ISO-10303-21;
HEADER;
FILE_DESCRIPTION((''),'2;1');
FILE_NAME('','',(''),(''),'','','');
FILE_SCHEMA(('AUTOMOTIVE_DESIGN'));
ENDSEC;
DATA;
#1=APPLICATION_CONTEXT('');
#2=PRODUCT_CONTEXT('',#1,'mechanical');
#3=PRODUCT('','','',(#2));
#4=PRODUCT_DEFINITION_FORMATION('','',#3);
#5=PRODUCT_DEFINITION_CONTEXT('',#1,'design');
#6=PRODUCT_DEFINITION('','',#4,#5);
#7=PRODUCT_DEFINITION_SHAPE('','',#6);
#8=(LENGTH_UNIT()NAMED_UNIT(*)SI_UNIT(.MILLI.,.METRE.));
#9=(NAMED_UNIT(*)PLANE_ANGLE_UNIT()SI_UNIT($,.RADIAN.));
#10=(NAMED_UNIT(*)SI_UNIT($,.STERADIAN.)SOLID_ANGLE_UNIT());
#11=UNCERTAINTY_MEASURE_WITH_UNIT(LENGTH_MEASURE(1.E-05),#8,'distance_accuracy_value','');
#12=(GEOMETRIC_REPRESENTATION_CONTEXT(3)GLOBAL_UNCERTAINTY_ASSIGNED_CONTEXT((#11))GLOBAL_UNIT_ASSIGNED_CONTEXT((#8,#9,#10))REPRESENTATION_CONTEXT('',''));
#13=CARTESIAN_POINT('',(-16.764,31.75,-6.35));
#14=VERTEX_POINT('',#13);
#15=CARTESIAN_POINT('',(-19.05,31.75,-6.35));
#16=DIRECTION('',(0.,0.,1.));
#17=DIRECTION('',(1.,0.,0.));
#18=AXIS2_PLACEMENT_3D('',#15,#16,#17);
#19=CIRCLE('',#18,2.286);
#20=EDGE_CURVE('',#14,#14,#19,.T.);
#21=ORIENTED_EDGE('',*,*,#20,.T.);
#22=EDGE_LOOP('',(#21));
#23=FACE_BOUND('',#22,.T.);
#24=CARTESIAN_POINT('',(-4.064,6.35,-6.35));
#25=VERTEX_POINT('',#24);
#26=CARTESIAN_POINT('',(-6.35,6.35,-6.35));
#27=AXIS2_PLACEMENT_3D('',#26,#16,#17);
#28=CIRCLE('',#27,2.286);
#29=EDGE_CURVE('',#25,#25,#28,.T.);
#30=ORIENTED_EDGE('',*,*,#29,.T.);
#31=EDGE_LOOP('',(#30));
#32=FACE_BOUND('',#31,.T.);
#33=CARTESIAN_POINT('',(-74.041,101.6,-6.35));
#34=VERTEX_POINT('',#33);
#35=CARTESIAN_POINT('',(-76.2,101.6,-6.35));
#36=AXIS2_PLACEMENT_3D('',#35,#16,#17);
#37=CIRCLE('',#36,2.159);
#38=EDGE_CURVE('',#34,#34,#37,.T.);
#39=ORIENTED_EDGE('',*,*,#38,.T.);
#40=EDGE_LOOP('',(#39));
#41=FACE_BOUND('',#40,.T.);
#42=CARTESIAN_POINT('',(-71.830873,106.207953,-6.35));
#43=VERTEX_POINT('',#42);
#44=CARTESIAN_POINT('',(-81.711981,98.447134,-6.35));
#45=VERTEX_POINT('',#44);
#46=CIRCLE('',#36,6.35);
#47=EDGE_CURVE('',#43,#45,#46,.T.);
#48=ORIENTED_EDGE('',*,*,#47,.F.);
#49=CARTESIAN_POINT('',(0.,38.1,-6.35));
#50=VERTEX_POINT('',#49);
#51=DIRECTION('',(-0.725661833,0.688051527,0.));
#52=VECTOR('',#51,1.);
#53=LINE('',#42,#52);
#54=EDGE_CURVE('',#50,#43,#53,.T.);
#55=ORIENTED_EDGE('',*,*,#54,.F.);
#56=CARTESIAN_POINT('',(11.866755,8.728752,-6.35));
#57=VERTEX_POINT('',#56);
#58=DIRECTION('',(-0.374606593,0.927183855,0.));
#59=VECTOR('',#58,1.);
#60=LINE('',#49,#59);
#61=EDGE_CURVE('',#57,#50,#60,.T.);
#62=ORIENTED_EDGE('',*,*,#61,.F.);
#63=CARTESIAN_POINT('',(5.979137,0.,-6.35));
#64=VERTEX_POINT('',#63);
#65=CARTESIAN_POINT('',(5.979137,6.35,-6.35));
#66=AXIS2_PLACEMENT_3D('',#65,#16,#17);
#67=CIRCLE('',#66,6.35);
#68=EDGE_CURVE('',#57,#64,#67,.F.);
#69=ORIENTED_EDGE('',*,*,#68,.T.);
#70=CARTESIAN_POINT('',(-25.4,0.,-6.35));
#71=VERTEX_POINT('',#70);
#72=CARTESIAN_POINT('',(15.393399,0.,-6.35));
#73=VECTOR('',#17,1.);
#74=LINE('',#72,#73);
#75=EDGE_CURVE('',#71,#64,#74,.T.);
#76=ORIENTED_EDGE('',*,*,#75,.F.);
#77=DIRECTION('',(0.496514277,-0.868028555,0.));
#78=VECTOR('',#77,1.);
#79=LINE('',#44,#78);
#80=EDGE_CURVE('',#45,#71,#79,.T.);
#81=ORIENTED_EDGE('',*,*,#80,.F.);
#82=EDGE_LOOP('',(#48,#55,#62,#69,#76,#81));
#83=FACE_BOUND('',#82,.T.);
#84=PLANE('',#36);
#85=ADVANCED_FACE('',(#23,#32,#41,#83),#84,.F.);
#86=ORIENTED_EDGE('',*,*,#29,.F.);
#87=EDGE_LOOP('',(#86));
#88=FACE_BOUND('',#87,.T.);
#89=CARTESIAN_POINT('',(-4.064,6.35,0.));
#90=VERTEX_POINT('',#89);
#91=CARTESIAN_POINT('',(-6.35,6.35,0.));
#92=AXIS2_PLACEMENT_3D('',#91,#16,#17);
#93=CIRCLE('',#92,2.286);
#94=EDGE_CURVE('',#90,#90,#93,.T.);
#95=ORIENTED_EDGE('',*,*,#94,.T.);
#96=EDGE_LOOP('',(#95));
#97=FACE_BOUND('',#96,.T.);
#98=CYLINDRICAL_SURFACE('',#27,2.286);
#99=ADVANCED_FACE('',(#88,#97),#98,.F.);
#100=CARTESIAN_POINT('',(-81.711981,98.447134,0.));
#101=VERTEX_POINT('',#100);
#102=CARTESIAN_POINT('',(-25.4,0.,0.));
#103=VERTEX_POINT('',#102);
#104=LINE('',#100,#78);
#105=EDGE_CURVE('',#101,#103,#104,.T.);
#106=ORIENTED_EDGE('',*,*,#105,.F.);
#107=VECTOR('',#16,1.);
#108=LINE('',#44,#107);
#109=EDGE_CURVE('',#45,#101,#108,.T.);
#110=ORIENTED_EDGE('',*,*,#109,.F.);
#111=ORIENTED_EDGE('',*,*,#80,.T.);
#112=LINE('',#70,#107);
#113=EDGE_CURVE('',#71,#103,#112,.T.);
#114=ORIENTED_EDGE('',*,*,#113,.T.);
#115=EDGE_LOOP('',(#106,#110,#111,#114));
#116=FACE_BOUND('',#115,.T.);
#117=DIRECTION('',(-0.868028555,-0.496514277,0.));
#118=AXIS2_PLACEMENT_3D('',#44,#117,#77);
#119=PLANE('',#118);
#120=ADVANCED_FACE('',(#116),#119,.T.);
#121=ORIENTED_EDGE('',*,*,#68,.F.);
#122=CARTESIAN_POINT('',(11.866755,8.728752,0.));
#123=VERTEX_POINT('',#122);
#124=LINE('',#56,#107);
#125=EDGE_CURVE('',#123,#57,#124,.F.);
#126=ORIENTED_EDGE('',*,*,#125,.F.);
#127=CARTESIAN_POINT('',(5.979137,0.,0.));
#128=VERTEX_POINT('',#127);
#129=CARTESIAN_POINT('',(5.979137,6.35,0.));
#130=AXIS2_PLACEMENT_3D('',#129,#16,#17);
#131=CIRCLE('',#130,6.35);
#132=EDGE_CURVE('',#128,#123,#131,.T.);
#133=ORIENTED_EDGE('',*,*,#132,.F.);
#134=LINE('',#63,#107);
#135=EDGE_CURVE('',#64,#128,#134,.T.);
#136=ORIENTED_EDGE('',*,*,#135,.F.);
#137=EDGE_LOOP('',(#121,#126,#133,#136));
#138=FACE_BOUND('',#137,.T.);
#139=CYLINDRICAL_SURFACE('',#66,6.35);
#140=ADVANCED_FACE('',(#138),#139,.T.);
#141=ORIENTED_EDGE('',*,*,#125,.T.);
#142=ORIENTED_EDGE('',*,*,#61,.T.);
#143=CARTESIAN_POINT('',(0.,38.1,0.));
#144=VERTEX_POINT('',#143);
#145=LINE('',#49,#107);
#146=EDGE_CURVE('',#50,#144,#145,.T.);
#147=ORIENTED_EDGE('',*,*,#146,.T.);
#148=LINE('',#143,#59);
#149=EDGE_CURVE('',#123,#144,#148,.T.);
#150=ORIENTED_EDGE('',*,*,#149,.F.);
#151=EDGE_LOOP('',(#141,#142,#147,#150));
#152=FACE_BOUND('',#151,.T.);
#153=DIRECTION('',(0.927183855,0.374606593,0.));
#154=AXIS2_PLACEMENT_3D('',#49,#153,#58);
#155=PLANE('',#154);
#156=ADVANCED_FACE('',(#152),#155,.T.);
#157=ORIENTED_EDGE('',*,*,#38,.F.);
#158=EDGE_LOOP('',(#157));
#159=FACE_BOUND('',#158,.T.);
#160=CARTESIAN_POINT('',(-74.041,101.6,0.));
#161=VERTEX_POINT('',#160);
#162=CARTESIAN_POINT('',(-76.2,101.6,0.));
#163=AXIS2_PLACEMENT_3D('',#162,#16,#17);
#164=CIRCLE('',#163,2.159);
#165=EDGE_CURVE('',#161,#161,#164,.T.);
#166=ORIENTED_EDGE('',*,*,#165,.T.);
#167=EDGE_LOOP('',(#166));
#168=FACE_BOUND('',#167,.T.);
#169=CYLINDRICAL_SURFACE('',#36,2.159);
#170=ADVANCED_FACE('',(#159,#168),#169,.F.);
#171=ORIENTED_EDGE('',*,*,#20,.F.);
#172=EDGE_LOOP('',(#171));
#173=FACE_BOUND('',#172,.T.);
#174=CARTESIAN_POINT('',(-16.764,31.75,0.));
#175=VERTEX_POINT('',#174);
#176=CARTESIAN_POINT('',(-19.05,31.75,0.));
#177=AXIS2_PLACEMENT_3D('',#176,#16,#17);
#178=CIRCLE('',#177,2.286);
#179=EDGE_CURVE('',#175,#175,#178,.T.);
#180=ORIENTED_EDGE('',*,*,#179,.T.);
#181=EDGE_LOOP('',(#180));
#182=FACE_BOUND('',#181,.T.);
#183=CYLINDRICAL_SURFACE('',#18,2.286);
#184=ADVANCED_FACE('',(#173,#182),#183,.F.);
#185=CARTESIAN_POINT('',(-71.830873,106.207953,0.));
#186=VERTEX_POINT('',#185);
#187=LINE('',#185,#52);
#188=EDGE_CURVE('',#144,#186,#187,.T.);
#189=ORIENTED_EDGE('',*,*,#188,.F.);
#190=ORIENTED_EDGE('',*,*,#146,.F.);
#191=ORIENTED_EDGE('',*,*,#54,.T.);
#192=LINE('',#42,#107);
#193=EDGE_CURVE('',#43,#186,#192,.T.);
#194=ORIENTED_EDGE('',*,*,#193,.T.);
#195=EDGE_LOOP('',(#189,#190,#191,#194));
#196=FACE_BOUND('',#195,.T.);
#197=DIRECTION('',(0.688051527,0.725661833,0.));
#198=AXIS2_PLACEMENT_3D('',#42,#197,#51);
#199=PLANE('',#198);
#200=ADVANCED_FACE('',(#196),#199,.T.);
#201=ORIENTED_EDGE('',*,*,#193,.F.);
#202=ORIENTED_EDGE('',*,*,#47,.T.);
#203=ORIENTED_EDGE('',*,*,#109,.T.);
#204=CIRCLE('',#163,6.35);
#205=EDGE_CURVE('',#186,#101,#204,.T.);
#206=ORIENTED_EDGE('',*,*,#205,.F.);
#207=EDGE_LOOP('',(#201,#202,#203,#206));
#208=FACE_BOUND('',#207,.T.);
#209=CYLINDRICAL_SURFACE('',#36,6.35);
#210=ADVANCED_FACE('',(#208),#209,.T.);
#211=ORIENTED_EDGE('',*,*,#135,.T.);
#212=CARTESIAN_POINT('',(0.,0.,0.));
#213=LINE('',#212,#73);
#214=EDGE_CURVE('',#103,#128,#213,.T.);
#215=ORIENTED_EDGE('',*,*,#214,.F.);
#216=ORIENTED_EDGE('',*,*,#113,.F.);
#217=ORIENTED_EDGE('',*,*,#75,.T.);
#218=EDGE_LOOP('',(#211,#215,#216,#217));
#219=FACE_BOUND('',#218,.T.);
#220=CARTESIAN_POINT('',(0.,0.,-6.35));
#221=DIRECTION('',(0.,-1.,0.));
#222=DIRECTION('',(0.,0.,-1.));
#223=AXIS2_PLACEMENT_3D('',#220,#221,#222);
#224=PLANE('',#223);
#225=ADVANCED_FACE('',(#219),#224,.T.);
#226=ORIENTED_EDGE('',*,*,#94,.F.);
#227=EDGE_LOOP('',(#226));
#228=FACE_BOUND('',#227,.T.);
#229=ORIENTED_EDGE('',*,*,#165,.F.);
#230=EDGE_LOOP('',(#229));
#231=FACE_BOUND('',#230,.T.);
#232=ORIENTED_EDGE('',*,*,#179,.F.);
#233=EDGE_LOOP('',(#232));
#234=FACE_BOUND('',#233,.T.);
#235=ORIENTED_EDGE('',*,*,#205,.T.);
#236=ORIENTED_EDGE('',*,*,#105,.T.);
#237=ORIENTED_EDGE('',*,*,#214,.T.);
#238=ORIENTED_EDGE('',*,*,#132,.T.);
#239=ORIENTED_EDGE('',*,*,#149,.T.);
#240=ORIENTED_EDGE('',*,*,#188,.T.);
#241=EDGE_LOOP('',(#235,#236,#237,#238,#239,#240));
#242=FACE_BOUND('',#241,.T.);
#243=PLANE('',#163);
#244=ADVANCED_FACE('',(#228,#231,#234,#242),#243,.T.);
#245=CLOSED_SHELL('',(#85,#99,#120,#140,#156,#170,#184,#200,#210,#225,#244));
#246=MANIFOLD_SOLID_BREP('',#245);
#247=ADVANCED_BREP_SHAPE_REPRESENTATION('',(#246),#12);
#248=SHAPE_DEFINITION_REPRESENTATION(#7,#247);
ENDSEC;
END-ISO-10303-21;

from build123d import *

# Parameters (mm, degrees)
SKETCH1_R           = 2.286
SKETCH1_R_2         = 2.159
BOSS_EXTRUDE1_DEPTH = 6.35
FILLET1_R           = 6.35


with BuildPart() as part:
    # Sketch1 → Boss-Extrude1 (new body)
    with BuildSketch(Plane.XY):
        with BuildLine():
            Line((0, 0), (-25.4, 0))
            Line((-25.4, 0), (-81.711981324, 98.447134338))
            ThreePointArc((-81.711981324, 98.447134338), (-80.122257521, 106.593835794), (-71.830872801, 106.207952639))
            Line((-71.830872801, 106.207952639), (0, 38.1))
            Line((0, 38.1), (15.393399204, 0))
            Line((15.393399204, 0), (0, 0))
        make_face()
        with Locations((-6.35, 6.35)):
            Circle(SKETCH1_R, mode=Mode.SUBTRACT)
        with Locations((-19.05, 31.75)):
            Circle(SKETCH1_R, mode=Mode.SUBTRACT)
        with Locations((-76.2, 101.6)):
            Circle(SKETCH1_R_2, mode=Mode.SUBTRACT)
    extrude(amount=-BOSS_EXTRUDE1_DEPTH)

    # Fillet1
    fillet1_edges = [part.edges().sort_by_distance(p)[0] for p in [
        (15.393399204, 0, -3.175),
    ]]
    fillet(fillet1_edges, radius=FILLET1_R)


solid = part.part
